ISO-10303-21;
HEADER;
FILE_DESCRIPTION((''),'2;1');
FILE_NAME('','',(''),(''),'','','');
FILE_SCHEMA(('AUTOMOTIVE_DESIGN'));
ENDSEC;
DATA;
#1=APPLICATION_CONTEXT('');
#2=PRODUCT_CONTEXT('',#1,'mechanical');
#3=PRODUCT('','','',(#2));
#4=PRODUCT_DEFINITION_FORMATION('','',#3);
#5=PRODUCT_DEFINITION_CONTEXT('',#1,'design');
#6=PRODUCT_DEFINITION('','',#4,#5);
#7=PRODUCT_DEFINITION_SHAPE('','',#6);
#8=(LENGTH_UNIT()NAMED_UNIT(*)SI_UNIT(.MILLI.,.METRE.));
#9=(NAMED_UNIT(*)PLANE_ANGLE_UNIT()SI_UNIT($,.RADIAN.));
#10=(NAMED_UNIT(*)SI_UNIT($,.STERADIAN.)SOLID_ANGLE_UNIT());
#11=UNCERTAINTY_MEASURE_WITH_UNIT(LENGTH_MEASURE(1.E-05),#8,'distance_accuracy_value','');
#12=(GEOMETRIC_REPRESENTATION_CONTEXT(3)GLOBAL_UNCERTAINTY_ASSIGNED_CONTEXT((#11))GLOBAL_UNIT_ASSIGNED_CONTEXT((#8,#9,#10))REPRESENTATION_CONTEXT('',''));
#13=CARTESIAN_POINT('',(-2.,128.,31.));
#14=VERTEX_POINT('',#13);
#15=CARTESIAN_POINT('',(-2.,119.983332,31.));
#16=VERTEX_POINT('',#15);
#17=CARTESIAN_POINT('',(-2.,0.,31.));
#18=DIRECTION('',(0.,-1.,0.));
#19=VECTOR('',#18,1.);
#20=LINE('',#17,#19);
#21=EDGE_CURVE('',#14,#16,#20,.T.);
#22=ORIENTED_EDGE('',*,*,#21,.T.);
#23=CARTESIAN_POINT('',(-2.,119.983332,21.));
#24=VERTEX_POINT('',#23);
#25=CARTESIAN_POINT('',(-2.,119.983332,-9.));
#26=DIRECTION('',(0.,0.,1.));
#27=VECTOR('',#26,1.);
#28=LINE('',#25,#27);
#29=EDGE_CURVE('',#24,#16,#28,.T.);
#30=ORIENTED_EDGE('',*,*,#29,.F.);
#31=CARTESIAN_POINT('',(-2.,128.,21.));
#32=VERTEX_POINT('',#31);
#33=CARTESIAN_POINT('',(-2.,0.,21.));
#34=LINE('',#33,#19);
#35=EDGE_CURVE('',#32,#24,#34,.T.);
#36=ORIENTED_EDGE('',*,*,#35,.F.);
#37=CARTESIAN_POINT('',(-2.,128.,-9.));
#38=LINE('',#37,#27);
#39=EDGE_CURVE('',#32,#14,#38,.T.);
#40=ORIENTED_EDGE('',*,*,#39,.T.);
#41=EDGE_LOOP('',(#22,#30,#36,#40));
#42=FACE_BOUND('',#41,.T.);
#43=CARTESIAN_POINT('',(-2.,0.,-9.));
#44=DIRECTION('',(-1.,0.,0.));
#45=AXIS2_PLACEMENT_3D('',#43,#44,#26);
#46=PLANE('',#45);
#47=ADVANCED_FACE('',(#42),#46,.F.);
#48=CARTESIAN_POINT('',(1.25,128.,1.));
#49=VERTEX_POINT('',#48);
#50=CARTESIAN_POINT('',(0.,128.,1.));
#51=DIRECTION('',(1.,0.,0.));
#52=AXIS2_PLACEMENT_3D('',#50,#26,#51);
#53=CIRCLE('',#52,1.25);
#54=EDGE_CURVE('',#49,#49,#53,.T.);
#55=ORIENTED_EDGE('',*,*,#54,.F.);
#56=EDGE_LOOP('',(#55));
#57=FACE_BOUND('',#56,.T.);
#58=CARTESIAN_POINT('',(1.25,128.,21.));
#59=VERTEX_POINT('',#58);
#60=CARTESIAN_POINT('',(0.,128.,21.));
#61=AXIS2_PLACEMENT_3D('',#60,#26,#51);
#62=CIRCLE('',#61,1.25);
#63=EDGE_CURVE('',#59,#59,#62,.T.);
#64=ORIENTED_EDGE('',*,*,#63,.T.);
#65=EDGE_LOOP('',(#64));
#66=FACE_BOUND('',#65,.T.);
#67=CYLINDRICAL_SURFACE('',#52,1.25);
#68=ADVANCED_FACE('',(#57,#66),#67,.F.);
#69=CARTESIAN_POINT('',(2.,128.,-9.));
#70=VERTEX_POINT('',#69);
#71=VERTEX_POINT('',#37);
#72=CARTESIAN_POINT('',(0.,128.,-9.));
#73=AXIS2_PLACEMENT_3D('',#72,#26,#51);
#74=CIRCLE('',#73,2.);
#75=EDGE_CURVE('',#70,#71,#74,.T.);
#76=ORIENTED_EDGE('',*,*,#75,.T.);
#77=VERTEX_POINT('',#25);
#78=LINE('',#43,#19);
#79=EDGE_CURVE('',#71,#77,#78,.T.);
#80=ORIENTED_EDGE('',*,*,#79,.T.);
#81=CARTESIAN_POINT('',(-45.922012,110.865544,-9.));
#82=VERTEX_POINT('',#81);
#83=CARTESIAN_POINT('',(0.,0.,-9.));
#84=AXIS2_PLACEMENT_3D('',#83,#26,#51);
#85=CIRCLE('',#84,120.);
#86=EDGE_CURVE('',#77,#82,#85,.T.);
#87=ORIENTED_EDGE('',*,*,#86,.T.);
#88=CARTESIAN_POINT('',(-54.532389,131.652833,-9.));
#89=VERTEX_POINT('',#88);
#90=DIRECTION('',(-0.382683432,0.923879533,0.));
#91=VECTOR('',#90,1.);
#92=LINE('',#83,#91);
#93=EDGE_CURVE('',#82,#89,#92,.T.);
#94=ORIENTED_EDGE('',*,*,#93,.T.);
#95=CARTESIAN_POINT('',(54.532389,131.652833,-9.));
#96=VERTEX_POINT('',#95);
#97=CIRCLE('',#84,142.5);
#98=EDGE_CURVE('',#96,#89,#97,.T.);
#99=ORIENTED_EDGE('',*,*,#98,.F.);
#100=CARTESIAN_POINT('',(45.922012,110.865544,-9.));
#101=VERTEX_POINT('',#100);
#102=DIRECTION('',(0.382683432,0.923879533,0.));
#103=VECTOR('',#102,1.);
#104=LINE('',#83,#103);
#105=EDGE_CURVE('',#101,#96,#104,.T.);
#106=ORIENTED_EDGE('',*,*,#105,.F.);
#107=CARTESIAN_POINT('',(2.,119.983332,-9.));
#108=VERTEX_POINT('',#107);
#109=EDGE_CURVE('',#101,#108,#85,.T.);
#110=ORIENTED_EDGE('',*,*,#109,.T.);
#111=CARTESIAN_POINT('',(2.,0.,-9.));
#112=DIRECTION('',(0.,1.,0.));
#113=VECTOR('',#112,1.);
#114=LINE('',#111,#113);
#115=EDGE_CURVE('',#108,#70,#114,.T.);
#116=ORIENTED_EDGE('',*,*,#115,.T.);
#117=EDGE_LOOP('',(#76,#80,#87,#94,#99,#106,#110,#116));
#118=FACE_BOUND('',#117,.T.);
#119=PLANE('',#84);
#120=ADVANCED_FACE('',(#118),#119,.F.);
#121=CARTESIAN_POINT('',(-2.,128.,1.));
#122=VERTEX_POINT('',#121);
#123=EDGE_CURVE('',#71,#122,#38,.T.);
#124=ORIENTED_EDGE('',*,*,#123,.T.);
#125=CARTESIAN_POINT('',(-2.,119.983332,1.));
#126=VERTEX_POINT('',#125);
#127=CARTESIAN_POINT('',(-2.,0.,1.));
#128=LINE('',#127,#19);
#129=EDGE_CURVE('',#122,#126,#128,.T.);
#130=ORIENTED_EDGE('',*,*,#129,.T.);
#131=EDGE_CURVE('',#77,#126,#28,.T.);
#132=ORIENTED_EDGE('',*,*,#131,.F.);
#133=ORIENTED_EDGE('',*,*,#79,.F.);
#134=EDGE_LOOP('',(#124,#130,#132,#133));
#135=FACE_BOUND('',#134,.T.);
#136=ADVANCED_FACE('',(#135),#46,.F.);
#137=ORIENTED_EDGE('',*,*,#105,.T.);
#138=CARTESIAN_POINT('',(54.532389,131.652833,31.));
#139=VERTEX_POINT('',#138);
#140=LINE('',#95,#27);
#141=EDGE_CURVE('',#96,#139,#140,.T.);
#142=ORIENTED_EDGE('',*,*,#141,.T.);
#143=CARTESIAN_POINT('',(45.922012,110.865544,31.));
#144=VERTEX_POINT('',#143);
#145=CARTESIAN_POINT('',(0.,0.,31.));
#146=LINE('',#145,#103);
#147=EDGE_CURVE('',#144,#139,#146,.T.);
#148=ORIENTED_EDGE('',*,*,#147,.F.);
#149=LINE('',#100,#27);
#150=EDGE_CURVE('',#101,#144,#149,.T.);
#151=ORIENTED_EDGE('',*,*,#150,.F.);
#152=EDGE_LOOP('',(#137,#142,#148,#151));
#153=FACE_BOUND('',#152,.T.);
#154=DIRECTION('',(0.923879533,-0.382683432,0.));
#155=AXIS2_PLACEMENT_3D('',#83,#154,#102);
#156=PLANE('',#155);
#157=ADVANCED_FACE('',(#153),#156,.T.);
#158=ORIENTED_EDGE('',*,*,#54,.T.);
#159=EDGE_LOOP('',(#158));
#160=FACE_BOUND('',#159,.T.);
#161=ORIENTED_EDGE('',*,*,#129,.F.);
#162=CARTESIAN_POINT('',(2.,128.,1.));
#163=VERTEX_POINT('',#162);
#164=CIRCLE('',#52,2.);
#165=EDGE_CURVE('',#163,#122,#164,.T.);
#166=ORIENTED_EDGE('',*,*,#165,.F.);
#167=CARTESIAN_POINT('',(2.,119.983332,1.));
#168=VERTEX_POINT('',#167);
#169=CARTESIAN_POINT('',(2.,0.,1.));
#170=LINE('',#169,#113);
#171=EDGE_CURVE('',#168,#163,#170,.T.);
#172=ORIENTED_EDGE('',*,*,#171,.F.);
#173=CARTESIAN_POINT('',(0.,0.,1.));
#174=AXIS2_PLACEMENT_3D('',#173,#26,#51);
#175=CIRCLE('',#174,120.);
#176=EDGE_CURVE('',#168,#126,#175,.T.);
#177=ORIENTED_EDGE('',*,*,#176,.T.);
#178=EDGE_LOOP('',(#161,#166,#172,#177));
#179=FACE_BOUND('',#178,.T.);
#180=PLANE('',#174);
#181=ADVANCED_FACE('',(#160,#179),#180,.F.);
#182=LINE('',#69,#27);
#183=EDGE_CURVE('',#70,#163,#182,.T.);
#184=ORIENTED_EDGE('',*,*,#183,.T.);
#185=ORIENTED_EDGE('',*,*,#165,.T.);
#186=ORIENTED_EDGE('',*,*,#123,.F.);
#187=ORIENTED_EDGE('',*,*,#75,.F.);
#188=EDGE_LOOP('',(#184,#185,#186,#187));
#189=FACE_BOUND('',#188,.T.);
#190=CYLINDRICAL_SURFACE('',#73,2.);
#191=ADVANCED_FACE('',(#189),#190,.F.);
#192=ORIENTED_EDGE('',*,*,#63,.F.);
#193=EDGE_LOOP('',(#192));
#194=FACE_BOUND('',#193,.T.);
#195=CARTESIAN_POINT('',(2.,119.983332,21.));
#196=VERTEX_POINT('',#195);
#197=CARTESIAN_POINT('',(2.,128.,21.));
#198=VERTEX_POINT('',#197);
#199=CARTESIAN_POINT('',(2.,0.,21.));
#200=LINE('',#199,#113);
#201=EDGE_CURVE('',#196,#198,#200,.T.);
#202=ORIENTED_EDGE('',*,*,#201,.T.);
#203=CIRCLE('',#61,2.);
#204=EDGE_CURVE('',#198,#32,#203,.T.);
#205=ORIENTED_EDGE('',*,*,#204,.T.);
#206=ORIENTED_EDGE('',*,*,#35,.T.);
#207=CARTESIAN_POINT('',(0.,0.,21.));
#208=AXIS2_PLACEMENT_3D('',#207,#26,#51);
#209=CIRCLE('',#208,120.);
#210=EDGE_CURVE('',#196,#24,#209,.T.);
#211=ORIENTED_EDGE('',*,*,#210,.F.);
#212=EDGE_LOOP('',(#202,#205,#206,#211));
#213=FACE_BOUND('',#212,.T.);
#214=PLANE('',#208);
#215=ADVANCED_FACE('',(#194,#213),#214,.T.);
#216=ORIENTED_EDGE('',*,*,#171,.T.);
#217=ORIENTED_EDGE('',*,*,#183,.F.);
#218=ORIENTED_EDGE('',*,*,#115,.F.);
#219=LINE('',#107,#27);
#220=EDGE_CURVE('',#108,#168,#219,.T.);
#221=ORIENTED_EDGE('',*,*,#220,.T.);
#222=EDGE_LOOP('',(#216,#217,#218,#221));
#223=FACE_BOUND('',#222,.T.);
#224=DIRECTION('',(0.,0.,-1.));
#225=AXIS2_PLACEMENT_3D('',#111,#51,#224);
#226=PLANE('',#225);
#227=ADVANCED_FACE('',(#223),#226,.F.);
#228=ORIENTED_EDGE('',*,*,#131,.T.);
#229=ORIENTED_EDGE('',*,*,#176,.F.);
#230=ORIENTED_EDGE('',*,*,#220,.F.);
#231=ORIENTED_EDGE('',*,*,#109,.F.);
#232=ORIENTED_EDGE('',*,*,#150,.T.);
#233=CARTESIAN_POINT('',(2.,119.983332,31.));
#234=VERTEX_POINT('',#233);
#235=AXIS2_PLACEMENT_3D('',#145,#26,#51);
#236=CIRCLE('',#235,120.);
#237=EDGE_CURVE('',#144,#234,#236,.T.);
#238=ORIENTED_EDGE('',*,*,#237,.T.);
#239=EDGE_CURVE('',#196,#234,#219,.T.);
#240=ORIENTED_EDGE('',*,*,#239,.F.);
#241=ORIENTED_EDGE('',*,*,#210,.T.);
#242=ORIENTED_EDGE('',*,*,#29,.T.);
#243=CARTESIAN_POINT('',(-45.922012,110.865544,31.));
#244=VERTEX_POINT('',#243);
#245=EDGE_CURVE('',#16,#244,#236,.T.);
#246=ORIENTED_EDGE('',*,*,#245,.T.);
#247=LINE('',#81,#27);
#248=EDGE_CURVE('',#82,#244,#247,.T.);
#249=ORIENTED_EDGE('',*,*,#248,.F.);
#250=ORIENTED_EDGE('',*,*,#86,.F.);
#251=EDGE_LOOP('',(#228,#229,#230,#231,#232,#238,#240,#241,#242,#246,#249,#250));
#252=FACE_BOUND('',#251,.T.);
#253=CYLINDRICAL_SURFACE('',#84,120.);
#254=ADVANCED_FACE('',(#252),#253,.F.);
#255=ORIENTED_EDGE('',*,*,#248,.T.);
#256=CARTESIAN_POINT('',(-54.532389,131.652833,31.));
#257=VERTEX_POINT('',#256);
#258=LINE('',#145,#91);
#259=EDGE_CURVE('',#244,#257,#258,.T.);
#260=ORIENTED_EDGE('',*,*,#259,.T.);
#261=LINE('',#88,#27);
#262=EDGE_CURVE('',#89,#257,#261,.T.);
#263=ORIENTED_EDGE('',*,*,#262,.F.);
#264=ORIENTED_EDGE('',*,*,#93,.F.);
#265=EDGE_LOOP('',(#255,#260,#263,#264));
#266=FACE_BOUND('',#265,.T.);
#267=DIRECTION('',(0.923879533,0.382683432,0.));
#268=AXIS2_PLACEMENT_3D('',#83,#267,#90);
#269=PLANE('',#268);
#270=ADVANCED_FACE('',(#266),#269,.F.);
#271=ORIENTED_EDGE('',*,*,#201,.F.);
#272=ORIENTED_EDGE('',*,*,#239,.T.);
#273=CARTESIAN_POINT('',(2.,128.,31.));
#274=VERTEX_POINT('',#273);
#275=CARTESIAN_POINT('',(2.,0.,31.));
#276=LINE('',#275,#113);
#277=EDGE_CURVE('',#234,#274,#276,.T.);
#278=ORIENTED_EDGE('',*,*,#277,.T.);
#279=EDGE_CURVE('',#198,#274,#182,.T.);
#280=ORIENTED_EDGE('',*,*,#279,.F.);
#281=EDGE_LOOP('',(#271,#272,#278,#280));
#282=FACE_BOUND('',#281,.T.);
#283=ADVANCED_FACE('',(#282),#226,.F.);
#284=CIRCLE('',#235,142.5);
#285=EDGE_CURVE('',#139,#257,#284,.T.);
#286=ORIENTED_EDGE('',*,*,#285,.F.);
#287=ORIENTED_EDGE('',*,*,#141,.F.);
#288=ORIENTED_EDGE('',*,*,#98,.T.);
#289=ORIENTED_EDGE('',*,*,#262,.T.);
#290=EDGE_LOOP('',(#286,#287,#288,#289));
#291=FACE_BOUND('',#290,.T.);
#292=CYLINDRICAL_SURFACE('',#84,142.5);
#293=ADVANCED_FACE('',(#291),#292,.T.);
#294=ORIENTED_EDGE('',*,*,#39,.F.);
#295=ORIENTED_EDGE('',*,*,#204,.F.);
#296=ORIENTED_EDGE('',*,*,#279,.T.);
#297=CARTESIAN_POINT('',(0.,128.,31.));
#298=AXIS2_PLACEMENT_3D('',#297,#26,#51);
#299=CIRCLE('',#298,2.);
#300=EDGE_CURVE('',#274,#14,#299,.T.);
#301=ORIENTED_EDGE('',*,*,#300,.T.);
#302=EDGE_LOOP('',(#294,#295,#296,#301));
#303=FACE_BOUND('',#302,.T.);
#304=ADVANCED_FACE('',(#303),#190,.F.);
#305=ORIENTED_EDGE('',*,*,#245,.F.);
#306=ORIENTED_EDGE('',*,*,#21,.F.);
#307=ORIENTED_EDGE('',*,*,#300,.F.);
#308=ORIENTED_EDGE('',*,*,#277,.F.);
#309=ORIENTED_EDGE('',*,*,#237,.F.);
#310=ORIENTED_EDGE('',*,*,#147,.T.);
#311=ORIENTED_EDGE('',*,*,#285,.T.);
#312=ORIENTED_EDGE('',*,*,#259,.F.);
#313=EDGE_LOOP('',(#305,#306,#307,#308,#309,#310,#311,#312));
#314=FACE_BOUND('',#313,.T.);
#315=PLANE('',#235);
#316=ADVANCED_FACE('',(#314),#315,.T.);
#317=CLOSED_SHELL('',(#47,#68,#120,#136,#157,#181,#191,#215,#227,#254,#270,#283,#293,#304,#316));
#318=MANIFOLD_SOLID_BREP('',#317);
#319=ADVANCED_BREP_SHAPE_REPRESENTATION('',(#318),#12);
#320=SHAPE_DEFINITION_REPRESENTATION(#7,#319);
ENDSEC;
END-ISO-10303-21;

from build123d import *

# Parameters (mm, degrees)
BOSS_EXTRUDE3_DEPTH      = 20
BOSS_EXTRUDE3_DEPTH_BACK = 20
BOSS_EXTRUDE5_DEPTH      = 10
BOSS_EXTRUDE5_DEPTH_BACK = 10
SKETCH2_8_R              = 1.25


with BuildPart() as part:
    # Sketch2 → Boss-Extrude3 (new, two sides: drawn at the far end of the back side and taken through both)
    with BuildSketch(Plane.XY.offset(11).offset(-BOSS_EXTRUDE3_DEPTH_BACK)):
        with BuildLine():
            ThreePointArc((2, 119.983332176), (24.390845035, 117.495049591), (45.922011884, 110.865543901))
            Line((45.922011884, 110.865543901), (54.532389112, 131.652833383))
            ThreePointArc((54.532389112, 131.652833383), (0, 142.5), (-54.532389112, 131.652833383))
            Line((-54.532389112, 131.652833383), (-45.922011884, 110.865543901))
            ThreePointArc((-45.922011884, 110.865543901), (-24.390845035, 117.495049591), (-2, 119.983332176))
            Line((-2, 119.983332176), (-2, 128))
            ThreePointArc((-2, 128), (0, 130), (2, 128))
            Line((2, 128), (2, 119.983332176))
        make_face()
    extrude(amount=BOSS_EXTRUDE3_DEPTH + BOSS_EXTRUDE3_DEPTH_BACK)

    # Sketch2<8> → Boss-Extrude5 (add, two sides: drawn at the far end of the back side and taken through both)
    with BuildSketch(Plane.XY.offset(11).offset(-BOSS_EXTRUDE5_DEPTH_BACK)):
        with BuildLine():
            ThreePointArc((-2, 119.983332176), (0, 120), (2, 119.983332176))
            Line((2, 119.983332176), (2, 128))
            ThreePointArc((2, 128), (0, 130), (-2, 128))
            Line((-2, 128), (-2, 119.983332176))
        make_face()
        with Locations((0, 128)):
            Circle(SKETCH2_8_R, mode=Mode.SUBTRACT)
    extrude(amount=BOSS_EXTRUDE5_DEPTH + BOSS_EXTRUDE5_DEPTH_BACK)


solid = part.part
